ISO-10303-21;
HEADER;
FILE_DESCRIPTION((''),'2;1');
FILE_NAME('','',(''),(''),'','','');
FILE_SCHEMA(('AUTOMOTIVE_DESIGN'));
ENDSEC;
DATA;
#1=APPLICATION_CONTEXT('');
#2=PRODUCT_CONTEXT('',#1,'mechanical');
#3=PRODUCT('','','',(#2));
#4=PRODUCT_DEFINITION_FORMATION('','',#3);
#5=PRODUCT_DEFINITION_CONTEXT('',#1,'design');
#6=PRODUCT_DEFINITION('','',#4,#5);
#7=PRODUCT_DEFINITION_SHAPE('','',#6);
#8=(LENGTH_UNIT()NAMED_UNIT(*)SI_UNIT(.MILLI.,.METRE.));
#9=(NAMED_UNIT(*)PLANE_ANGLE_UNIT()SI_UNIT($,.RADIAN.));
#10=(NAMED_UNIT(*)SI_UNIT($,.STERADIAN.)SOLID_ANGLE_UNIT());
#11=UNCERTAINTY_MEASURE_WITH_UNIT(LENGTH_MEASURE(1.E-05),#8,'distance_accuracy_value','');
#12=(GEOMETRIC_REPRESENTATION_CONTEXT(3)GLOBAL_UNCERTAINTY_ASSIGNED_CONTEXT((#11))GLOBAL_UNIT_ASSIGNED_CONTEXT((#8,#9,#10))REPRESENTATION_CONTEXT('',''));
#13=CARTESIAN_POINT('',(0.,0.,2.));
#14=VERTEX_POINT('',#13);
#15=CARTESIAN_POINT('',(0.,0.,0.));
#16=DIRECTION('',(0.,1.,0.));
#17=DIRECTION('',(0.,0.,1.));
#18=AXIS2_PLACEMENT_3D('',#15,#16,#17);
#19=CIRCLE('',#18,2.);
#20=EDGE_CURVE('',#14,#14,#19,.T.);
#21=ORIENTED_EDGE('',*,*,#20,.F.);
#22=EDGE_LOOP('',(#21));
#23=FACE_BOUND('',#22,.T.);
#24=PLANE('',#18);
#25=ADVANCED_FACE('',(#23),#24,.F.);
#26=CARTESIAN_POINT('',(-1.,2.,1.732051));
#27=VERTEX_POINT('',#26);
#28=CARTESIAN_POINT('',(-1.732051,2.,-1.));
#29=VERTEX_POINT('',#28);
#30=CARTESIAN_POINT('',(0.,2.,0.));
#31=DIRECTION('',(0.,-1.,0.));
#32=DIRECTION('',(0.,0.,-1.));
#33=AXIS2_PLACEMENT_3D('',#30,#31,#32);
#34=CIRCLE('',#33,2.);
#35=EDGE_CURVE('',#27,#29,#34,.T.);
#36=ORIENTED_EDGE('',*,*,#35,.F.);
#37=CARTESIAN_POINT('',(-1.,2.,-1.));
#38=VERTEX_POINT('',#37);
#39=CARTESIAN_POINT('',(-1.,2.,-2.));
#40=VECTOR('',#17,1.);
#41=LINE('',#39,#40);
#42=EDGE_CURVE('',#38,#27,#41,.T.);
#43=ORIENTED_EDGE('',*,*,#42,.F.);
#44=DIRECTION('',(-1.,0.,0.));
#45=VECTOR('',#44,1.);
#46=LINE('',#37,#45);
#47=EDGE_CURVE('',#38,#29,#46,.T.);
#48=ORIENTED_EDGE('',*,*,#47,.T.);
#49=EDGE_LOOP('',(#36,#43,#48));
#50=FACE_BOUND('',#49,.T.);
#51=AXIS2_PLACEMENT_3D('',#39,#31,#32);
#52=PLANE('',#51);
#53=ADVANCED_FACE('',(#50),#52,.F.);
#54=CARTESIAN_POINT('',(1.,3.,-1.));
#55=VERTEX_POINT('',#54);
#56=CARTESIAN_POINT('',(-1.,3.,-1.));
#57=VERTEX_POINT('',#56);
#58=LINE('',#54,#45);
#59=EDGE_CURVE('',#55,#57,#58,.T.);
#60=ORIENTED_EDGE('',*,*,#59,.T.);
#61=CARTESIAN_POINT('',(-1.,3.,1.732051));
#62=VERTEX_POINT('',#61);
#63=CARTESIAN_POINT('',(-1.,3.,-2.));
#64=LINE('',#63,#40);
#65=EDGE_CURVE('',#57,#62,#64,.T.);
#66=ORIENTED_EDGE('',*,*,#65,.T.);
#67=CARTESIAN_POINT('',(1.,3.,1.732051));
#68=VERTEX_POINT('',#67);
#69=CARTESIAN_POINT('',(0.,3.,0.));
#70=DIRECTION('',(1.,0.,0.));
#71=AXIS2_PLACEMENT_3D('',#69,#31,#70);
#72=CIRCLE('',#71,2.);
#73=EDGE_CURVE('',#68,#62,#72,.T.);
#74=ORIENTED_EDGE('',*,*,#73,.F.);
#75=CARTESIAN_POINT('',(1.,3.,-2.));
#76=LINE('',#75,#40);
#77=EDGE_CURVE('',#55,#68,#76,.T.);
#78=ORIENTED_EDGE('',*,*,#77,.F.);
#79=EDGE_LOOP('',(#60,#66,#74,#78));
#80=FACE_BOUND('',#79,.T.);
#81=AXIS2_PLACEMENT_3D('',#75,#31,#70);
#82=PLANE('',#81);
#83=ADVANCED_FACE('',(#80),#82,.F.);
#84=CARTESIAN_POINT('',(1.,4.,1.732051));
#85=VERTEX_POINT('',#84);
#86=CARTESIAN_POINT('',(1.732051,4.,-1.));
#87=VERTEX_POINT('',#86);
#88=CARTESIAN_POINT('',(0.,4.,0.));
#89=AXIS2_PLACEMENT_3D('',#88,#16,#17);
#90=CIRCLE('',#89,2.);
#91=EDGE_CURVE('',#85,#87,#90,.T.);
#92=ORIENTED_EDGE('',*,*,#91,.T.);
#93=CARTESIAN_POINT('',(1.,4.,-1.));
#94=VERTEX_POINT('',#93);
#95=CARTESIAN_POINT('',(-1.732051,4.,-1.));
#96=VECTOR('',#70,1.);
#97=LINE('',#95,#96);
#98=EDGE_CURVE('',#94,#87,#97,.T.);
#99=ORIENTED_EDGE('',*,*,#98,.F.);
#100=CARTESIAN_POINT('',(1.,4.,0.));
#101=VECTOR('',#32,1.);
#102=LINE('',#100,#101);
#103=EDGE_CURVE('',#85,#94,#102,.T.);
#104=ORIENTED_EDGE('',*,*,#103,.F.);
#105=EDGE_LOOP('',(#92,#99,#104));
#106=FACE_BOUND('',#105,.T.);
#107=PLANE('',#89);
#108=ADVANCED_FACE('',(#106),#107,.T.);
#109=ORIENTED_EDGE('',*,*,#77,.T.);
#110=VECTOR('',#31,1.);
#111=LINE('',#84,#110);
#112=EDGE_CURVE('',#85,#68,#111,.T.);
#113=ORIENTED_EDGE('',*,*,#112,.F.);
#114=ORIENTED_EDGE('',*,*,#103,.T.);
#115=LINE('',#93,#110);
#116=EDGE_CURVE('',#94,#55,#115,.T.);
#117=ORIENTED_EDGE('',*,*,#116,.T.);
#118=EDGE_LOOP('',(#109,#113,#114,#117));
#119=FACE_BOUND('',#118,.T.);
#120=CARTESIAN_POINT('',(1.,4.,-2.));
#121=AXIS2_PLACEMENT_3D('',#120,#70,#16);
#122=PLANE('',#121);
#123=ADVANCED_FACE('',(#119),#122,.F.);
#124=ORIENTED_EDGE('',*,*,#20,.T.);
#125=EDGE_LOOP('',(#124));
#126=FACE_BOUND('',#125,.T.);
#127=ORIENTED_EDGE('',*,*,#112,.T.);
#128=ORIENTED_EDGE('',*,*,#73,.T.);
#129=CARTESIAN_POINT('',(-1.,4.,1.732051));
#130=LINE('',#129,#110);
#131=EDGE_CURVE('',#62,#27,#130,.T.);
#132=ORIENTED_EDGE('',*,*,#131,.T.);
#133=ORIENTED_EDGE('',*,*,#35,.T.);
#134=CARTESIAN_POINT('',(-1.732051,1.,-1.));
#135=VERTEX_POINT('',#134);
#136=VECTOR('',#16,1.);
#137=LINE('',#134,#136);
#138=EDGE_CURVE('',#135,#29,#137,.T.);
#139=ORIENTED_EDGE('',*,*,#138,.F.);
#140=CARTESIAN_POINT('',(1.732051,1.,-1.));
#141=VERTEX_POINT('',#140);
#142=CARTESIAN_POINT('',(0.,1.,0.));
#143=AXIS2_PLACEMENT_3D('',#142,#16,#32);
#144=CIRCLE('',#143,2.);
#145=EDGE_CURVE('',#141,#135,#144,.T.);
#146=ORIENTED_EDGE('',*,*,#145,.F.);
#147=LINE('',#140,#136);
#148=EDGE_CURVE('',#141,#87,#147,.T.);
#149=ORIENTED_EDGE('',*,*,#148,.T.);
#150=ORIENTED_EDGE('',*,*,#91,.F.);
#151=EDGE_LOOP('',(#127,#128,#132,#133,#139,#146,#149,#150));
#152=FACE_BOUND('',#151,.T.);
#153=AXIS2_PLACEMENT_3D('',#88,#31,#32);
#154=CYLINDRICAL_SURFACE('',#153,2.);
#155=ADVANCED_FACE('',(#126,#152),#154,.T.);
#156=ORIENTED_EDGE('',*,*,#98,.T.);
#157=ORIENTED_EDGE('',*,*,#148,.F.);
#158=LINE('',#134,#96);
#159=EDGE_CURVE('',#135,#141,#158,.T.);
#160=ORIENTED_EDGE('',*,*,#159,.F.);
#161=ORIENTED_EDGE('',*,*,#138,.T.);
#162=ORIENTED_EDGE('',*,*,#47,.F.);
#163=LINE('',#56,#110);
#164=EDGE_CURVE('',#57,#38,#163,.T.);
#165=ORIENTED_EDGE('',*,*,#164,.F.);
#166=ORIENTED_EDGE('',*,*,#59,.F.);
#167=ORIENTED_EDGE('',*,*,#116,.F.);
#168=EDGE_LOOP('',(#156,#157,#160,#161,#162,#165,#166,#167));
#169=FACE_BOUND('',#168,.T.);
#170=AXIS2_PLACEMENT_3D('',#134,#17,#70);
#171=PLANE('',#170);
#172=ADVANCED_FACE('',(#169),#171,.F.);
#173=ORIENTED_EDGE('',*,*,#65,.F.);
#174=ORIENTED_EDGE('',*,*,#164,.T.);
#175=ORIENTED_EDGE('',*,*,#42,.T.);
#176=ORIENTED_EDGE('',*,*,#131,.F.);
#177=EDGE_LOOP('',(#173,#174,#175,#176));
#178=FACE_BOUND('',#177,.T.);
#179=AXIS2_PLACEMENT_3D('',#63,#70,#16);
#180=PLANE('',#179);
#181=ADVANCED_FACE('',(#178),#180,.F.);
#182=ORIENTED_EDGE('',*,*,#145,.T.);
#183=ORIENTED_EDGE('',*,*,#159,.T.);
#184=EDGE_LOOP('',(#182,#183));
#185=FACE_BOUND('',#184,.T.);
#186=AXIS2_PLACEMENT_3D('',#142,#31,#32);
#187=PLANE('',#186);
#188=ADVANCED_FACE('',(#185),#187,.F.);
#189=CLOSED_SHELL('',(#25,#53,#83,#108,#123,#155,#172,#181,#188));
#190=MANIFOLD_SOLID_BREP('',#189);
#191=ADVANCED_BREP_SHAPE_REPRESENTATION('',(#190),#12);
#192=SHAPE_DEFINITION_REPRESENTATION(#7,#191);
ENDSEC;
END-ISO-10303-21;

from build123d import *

# Parameters (mm, degrees)
SKETCH1_R           = 2
BOSS_EXTRUDE1_DEPTH = 4
CUT_EXTRUDE1_DEPTH  = 2
CUT_EXTRUDE2_DEPTH  = 3


with BuildPart() as part:
    # Sketch1 → Boss-Extrude1 (new body)
    with BuildSketch(Plane(origin=(0, 0, 0), x_dir=(1, 0, 0), z_dir=(0, 1, 0))):
        Circle(SKETCH1_R)
    extrude(amount=BOSS_EXTRUDE1_DEPTH)

    # Sketch2 → Cut-Extrude1 (cut, symmetric)
    with BuildSketch(Plane.XY):
        Polygon((1, 4), (1, 3), (-1, 3), (-1, 2), (-2, 2), (-2, 4), align=None)
    extrude(amount=CUT_EXTRUDE1_DEPTH, both=True, mode=Mode.SUBTRACT)

    # Sketch3 → Cut-Extrude2 (cut)
    with BuildSketch(Plane(origin=(0, 4, 0), x_dir=(1, 0, 0), z_dir=(0, 1, 0))):
        with BuildLine():
            Line((-1.732050808, 1), (1.732050808, 1))
            ThreePointArc((1.732050808, 1), (0, 2), (-1.732050808, 1))
        make_face()
    extrude(amount=-CUT_EXTRUDE2_DEPTH, mode=Mode.SUBTRACT)


solid = part.part
